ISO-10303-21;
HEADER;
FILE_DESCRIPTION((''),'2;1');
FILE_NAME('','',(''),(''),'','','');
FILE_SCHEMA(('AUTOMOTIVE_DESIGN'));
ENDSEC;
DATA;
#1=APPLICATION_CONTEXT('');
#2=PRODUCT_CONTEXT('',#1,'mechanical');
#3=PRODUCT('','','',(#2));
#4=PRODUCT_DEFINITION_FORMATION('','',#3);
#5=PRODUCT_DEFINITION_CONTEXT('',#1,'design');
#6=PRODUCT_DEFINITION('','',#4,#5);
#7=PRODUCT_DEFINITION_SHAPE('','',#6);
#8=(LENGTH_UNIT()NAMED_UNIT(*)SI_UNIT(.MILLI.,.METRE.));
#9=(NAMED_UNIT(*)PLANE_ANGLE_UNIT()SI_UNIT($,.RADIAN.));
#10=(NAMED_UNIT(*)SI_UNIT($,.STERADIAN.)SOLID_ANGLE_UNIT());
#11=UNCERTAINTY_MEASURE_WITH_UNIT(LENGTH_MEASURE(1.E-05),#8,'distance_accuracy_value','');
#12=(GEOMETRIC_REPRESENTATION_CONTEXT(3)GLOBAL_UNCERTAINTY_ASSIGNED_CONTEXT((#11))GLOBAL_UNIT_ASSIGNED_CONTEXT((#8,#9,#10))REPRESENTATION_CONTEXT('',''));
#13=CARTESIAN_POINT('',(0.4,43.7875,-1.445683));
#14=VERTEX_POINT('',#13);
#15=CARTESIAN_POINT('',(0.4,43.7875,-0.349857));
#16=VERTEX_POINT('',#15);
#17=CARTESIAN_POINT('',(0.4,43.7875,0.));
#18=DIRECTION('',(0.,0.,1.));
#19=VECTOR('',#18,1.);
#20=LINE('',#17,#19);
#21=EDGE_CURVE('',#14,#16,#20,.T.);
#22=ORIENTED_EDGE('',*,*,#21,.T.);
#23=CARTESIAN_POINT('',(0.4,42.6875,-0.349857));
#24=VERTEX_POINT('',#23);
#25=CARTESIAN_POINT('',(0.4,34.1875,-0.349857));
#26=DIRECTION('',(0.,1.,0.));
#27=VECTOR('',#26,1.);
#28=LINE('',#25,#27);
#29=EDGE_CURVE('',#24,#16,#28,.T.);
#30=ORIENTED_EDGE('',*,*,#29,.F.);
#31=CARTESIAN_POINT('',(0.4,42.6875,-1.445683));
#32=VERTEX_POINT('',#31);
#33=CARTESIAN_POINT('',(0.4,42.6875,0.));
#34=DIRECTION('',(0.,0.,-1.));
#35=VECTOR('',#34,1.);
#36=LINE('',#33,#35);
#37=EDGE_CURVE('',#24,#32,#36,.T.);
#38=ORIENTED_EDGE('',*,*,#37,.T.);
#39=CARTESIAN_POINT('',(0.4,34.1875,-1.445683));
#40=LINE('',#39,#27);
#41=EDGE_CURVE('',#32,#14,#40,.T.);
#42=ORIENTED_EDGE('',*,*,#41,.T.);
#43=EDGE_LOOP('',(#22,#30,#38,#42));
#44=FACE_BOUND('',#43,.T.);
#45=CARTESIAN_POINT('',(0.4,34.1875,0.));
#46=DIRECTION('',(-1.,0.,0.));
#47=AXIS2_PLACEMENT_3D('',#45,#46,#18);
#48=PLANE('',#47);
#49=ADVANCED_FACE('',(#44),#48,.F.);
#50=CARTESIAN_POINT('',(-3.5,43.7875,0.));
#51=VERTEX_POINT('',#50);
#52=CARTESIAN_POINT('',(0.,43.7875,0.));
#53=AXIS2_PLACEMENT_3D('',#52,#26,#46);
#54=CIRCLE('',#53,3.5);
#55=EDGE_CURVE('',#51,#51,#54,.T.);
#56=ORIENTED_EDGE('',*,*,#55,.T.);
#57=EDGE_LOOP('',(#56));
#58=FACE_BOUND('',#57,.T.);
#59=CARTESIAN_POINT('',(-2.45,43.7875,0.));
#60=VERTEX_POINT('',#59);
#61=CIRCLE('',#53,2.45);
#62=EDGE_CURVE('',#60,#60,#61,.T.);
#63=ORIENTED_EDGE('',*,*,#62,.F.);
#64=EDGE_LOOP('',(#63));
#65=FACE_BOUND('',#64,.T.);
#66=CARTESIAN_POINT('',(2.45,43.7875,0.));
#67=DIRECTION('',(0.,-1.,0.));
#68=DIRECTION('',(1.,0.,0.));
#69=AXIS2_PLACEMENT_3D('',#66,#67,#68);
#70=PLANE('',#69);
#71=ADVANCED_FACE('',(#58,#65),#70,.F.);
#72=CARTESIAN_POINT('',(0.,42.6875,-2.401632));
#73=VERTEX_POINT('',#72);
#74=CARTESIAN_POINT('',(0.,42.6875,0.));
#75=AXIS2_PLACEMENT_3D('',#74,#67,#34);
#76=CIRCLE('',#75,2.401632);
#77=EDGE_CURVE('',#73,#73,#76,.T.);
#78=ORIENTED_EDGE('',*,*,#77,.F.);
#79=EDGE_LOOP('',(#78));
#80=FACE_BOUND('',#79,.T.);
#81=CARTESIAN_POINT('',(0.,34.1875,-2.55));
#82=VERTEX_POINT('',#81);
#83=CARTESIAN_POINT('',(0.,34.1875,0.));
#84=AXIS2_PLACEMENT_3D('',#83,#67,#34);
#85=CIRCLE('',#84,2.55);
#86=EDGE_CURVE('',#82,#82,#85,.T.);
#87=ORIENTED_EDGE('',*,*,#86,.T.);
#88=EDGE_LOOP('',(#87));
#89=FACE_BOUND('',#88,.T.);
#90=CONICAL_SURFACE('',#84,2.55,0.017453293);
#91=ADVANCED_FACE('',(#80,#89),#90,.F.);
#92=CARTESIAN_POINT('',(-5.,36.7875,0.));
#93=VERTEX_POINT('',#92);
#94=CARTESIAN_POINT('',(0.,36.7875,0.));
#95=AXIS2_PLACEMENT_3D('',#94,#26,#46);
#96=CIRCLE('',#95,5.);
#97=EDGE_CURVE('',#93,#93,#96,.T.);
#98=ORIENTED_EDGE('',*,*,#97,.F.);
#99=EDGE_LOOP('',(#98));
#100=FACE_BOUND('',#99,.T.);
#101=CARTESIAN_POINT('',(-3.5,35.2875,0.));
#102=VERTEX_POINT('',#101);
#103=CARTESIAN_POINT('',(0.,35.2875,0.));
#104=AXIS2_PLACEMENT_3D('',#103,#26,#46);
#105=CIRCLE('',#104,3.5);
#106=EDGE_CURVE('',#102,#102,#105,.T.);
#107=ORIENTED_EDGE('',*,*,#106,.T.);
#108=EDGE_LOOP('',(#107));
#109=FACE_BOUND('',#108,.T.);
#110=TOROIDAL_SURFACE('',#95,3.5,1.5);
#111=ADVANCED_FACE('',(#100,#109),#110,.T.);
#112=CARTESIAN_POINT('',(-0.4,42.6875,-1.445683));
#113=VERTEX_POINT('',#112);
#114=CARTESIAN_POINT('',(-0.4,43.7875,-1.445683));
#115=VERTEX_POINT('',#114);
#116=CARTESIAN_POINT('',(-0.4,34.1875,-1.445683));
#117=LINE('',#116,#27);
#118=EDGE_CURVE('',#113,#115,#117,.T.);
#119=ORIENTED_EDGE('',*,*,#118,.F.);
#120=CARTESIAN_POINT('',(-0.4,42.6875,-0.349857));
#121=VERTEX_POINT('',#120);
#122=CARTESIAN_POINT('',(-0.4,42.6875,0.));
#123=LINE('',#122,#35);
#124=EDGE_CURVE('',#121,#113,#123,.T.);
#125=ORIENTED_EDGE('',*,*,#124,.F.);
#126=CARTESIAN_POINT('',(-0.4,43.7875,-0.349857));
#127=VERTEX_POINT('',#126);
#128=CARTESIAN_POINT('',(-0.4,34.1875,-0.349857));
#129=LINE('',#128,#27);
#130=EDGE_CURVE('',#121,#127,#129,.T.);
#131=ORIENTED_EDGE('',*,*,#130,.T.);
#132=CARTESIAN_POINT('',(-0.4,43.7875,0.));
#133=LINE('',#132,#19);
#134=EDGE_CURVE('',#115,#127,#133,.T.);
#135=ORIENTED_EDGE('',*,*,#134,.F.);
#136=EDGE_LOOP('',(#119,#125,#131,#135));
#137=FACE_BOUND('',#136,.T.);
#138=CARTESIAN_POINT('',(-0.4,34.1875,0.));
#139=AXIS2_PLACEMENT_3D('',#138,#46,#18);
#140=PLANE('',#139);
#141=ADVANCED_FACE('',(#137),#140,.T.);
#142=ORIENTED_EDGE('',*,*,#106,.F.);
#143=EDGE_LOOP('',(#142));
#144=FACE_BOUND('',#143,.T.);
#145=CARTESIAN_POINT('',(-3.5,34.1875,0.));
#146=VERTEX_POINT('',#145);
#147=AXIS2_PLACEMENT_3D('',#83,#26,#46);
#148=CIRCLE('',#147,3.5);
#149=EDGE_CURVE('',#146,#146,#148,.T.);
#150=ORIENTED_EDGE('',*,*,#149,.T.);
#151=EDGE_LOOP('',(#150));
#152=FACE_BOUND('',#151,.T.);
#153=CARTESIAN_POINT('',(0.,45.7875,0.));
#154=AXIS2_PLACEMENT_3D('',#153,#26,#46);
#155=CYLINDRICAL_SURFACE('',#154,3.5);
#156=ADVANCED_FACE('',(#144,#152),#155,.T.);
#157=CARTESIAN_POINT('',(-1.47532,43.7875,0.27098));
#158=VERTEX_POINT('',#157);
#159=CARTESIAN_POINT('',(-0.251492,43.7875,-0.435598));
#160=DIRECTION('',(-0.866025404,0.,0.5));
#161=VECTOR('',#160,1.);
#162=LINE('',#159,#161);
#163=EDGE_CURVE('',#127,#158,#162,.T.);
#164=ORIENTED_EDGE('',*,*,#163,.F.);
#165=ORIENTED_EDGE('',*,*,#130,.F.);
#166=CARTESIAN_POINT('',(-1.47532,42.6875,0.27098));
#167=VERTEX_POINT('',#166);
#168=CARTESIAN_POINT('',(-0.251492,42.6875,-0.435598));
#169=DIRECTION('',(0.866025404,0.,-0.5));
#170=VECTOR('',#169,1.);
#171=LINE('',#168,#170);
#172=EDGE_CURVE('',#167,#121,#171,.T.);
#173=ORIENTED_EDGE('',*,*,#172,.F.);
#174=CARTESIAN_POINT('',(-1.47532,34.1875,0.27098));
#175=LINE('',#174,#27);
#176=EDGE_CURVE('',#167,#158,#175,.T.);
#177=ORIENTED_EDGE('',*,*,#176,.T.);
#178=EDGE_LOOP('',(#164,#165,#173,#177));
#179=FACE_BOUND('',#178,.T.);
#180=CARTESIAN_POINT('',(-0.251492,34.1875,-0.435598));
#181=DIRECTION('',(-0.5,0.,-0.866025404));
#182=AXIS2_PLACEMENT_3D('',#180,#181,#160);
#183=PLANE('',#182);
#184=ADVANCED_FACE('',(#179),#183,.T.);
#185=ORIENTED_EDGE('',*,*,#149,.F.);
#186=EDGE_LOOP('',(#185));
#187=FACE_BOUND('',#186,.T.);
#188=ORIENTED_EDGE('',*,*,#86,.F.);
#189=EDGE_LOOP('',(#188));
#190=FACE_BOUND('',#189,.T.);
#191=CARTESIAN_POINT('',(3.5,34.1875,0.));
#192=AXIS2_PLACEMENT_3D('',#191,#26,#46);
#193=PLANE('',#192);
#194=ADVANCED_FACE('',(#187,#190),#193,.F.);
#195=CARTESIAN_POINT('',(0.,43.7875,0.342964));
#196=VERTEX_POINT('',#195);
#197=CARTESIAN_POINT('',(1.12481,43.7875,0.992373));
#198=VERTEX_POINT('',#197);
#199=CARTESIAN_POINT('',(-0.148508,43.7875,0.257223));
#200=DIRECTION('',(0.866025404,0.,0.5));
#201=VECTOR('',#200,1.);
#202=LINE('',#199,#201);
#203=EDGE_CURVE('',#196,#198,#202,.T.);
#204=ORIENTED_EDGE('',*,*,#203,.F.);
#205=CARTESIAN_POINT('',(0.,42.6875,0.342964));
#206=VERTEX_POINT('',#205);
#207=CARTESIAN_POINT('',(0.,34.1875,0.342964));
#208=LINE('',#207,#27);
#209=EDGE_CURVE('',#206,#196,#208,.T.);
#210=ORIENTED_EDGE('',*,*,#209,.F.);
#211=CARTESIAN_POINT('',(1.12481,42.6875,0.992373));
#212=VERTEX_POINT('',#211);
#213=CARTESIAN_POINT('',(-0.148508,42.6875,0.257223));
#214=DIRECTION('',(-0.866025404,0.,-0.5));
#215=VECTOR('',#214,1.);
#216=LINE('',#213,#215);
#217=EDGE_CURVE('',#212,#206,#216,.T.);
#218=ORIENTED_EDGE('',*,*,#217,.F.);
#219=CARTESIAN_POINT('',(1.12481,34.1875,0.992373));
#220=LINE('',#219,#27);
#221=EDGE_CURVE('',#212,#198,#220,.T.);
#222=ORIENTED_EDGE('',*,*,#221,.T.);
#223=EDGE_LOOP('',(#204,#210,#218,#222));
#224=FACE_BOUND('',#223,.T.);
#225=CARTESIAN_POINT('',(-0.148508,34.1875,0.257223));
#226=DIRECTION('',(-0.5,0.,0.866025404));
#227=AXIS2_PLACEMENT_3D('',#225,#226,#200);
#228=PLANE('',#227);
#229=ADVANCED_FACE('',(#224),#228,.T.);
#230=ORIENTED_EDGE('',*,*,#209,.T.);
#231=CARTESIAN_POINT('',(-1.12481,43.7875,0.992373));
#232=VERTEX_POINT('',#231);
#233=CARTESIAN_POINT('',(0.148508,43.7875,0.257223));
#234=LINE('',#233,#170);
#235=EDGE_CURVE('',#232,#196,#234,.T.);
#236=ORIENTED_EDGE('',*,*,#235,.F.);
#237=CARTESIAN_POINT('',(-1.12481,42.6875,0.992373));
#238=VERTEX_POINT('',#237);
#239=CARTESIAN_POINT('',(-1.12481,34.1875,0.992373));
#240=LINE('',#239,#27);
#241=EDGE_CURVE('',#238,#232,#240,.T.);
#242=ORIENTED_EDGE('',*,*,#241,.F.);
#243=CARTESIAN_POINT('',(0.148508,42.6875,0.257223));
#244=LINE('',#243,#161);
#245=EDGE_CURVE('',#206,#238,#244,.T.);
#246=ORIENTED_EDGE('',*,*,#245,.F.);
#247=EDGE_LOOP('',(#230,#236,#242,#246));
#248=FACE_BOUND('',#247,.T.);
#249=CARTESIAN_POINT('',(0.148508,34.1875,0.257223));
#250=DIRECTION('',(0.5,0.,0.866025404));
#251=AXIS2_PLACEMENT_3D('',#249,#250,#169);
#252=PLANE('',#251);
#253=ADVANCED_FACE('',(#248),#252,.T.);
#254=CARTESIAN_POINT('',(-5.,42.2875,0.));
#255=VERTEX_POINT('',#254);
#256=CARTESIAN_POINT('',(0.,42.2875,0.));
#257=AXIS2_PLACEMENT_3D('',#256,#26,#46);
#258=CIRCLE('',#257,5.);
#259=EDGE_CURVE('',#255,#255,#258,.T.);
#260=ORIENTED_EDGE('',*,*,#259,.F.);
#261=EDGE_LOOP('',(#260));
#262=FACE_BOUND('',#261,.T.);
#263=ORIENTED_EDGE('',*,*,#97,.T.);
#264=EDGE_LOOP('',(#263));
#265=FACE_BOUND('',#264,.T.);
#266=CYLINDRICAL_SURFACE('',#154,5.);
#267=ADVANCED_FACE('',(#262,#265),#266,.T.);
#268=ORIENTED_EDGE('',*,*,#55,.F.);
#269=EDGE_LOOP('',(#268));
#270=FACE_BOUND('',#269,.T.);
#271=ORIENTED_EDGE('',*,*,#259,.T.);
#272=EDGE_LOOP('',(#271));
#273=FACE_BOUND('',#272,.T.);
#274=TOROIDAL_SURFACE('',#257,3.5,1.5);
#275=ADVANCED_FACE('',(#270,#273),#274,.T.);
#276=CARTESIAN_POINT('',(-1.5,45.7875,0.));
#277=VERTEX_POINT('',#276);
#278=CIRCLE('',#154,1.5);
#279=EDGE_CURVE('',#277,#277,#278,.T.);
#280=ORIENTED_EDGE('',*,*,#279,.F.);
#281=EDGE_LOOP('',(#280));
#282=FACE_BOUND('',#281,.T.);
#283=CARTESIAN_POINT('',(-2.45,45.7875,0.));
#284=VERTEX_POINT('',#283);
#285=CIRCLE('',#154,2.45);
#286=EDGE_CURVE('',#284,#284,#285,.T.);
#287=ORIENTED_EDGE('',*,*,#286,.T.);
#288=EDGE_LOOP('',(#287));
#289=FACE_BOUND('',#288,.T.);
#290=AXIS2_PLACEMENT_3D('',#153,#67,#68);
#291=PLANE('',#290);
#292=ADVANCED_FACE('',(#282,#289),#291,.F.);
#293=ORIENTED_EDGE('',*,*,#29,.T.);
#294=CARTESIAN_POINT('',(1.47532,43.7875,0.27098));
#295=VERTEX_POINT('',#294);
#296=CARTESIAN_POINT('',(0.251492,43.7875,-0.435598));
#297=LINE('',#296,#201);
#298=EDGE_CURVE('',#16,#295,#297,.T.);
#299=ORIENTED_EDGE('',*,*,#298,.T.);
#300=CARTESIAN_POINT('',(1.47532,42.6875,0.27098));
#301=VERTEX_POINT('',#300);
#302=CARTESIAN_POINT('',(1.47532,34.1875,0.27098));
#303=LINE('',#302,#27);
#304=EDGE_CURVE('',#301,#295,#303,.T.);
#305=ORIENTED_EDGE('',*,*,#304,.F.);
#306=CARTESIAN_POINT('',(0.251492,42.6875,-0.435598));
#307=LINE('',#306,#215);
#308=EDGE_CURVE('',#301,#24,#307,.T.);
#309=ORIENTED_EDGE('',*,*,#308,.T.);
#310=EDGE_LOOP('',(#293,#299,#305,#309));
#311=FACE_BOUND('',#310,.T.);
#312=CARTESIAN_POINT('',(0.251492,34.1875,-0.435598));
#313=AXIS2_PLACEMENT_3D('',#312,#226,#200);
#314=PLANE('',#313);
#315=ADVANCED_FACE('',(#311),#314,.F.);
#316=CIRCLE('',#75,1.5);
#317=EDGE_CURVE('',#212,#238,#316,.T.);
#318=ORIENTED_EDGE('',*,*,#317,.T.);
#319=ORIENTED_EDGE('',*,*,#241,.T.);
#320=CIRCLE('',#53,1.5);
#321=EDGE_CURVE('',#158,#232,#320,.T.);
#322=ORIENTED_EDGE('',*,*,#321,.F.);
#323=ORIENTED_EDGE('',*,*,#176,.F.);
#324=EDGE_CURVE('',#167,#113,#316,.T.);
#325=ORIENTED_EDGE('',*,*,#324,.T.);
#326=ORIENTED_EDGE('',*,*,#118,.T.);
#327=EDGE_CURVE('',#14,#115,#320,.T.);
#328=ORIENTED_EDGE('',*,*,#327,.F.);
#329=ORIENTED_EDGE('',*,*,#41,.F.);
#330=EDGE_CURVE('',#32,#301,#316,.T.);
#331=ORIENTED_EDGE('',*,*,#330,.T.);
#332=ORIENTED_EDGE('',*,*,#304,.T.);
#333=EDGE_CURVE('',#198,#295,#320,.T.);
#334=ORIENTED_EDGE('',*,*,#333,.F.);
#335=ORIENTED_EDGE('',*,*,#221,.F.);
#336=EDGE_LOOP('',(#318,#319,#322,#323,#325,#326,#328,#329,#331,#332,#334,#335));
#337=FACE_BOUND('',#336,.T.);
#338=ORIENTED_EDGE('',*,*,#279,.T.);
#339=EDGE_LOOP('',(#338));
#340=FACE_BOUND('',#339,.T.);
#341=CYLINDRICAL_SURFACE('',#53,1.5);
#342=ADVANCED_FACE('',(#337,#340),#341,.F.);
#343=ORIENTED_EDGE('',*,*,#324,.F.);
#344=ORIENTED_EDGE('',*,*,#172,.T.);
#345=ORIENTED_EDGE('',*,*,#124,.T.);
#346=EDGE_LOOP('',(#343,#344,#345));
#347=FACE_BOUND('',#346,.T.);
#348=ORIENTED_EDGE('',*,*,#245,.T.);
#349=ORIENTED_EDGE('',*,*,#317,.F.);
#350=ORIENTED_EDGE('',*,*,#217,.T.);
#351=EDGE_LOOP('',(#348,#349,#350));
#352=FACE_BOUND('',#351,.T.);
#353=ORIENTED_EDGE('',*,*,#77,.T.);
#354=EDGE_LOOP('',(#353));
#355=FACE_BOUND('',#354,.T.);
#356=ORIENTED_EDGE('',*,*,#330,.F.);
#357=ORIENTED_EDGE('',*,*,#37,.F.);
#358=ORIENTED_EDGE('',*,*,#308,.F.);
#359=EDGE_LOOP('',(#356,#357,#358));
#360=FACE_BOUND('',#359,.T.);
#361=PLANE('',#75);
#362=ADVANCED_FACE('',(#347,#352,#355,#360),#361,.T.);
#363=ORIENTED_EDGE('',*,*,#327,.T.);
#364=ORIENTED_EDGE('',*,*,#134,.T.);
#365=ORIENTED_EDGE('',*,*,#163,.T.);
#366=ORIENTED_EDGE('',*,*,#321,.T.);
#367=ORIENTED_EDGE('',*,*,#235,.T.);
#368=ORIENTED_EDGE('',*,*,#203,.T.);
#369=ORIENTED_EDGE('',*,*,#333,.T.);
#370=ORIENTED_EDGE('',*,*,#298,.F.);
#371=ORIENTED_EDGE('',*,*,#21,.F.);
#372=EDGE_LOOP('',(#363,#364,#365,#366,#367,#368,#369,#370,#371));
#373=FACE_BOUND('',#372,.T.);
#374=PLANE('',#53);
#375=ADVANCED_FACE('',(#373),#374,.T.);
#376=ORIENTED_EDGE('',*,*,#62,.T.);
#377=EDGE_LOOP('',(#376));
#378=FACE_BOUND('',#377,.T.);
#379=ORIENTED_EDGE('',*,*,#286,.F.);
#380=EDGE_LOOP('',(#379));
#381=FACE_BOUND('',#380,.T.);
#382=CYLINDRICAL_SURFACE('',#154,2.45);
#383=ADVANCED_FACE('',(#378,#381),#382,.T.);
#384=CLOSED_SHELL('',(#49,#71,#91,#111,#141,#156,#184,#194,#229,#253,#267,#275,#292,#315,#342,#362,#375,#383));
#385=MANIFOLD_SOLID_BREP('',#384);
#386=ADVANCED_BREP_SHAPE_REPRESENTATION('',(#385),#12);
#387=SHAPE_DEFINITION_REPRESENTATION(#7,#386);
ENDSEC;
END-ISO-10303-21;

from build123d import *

# Parameters (mm, degrees)
SKETCH8_R               = 2.55
CUT_EXTRUDE1_DEPTH      = 8.5
CUT_EXTRUDE1_TAPER      = 1
SKETCH9_R               = 1.5
CUT_EXTRUDE2_DEPTH      = 2
CUT_EXTRUDE5_DEPTH      = 3
CUT_EXTRUDE5_DEPTH_BACK = 10.6000001


with BuildPart() as part:
    # Sketch1 → Revolve1 (revolve)
    with BuildSketch(Plane.XY):
        with BuildLine():
            Line((0, 45.78749956), (2.45, 45.78749956))
            Line((2.45, 45.78749956), (2.45, 43.78749956))
            Line((2.45, 43.78749956), (3.5, 43.78749956))
            ThreePointArc((3.5, 43.78749956), (4.560660172, 43.348159732), (5, 42.28749956))
            Line((5, 42.28749956), (5, 36.78749956))
            ThreePointArc((5, 36.78749956), (4.560660172, 35.726839388), (3.5, 35.28749956))
            Line((3.5, 35.28749956), (3.5, 34.18749956))
            Line((3.5, 34.18749956), (0, 34.18749956))
            Line((0, 34.18749956), (0, 45.78749956))
        make_face()
    revolve(axis=Axis((0, 45.78749956, 0), (0, -1, 0)))

    # Sketch8 → Cut-Extrude1 (cut)
    with BuildSketch(Plane.XZ.offset(-34.18749956)):
        Circle(SKETCH8_R)
    extrude(amount=-CUT_EXTRUDE1_DEPTH, taper=CUT_EXTRUDE1_TAPER, mode=Mode.SUBTRACT)

    # Sketch9 → Cut-Extrude2 (cut)
    with BuildSketch(Plane(origin=(0, 45.78749956, 0), x_dir=(1, 0, 0), z_dir=(0, 1, 0))):
        Circle(SKETCH9_R)
    extrude(amount=-CUT_EXTRUDE2_DEPTH, mode=Mode.SUBTRACT)

    # Sketch10 → Cut-Extrude5 (cut, two sides)
    with BuildSketch(Plane(origin=(0, 43.78749956, 0), x_dir=(1, 0, 0), z_dir=(0, 1, 0))) as cut_extrude5_sk:
        with BuildLine():
            Line((-0.4, 0.349856808), (-0.4, 1.445683229))
            ThreePointArc((-0.4, 1.445683229), (-1.271196067, 0.796279197), (-1.475320312, -0.270979664))
            Line((-1.475320312, -0.270979664), (-0.4, 0.349856808))
        make_face()
        with BuildLine():
            ThreePointArc((1.5, 0), (1.193733639, 0.908295106), (0.4, 1.445683229))
            Line((0.4, 1.445683229), (0.4, 0.349856808))
            Line((0.4, 0.349856808), (1.475320312, -0.270979664))
            ThreePointArc((1.475320312, -0.270979664), (1.493817336, -0.136050602), (1.5, 0))
        make_face()
        with BuildLine():
            Line((0, -0.342963515), (-1.124809572, -0.992372625))
            ThreePointArc((-1.124809572, -0.992372625), (0, -1.5), (1.124809572, -0.992372625))
            Line((1.124809572, -0.992372625), (0, -0.342963515))
        make_face()
    extrude(amount=CUT_EXTRUDE5_DEPTH, mode=Mode.SUBTRACT)
    extrude(cut_extrude5_sk.sketch, amount=-CUT_EXTRUDE5_DEPTH_BACK, mode=Mode.SUBTRACT)


solid = part.part
